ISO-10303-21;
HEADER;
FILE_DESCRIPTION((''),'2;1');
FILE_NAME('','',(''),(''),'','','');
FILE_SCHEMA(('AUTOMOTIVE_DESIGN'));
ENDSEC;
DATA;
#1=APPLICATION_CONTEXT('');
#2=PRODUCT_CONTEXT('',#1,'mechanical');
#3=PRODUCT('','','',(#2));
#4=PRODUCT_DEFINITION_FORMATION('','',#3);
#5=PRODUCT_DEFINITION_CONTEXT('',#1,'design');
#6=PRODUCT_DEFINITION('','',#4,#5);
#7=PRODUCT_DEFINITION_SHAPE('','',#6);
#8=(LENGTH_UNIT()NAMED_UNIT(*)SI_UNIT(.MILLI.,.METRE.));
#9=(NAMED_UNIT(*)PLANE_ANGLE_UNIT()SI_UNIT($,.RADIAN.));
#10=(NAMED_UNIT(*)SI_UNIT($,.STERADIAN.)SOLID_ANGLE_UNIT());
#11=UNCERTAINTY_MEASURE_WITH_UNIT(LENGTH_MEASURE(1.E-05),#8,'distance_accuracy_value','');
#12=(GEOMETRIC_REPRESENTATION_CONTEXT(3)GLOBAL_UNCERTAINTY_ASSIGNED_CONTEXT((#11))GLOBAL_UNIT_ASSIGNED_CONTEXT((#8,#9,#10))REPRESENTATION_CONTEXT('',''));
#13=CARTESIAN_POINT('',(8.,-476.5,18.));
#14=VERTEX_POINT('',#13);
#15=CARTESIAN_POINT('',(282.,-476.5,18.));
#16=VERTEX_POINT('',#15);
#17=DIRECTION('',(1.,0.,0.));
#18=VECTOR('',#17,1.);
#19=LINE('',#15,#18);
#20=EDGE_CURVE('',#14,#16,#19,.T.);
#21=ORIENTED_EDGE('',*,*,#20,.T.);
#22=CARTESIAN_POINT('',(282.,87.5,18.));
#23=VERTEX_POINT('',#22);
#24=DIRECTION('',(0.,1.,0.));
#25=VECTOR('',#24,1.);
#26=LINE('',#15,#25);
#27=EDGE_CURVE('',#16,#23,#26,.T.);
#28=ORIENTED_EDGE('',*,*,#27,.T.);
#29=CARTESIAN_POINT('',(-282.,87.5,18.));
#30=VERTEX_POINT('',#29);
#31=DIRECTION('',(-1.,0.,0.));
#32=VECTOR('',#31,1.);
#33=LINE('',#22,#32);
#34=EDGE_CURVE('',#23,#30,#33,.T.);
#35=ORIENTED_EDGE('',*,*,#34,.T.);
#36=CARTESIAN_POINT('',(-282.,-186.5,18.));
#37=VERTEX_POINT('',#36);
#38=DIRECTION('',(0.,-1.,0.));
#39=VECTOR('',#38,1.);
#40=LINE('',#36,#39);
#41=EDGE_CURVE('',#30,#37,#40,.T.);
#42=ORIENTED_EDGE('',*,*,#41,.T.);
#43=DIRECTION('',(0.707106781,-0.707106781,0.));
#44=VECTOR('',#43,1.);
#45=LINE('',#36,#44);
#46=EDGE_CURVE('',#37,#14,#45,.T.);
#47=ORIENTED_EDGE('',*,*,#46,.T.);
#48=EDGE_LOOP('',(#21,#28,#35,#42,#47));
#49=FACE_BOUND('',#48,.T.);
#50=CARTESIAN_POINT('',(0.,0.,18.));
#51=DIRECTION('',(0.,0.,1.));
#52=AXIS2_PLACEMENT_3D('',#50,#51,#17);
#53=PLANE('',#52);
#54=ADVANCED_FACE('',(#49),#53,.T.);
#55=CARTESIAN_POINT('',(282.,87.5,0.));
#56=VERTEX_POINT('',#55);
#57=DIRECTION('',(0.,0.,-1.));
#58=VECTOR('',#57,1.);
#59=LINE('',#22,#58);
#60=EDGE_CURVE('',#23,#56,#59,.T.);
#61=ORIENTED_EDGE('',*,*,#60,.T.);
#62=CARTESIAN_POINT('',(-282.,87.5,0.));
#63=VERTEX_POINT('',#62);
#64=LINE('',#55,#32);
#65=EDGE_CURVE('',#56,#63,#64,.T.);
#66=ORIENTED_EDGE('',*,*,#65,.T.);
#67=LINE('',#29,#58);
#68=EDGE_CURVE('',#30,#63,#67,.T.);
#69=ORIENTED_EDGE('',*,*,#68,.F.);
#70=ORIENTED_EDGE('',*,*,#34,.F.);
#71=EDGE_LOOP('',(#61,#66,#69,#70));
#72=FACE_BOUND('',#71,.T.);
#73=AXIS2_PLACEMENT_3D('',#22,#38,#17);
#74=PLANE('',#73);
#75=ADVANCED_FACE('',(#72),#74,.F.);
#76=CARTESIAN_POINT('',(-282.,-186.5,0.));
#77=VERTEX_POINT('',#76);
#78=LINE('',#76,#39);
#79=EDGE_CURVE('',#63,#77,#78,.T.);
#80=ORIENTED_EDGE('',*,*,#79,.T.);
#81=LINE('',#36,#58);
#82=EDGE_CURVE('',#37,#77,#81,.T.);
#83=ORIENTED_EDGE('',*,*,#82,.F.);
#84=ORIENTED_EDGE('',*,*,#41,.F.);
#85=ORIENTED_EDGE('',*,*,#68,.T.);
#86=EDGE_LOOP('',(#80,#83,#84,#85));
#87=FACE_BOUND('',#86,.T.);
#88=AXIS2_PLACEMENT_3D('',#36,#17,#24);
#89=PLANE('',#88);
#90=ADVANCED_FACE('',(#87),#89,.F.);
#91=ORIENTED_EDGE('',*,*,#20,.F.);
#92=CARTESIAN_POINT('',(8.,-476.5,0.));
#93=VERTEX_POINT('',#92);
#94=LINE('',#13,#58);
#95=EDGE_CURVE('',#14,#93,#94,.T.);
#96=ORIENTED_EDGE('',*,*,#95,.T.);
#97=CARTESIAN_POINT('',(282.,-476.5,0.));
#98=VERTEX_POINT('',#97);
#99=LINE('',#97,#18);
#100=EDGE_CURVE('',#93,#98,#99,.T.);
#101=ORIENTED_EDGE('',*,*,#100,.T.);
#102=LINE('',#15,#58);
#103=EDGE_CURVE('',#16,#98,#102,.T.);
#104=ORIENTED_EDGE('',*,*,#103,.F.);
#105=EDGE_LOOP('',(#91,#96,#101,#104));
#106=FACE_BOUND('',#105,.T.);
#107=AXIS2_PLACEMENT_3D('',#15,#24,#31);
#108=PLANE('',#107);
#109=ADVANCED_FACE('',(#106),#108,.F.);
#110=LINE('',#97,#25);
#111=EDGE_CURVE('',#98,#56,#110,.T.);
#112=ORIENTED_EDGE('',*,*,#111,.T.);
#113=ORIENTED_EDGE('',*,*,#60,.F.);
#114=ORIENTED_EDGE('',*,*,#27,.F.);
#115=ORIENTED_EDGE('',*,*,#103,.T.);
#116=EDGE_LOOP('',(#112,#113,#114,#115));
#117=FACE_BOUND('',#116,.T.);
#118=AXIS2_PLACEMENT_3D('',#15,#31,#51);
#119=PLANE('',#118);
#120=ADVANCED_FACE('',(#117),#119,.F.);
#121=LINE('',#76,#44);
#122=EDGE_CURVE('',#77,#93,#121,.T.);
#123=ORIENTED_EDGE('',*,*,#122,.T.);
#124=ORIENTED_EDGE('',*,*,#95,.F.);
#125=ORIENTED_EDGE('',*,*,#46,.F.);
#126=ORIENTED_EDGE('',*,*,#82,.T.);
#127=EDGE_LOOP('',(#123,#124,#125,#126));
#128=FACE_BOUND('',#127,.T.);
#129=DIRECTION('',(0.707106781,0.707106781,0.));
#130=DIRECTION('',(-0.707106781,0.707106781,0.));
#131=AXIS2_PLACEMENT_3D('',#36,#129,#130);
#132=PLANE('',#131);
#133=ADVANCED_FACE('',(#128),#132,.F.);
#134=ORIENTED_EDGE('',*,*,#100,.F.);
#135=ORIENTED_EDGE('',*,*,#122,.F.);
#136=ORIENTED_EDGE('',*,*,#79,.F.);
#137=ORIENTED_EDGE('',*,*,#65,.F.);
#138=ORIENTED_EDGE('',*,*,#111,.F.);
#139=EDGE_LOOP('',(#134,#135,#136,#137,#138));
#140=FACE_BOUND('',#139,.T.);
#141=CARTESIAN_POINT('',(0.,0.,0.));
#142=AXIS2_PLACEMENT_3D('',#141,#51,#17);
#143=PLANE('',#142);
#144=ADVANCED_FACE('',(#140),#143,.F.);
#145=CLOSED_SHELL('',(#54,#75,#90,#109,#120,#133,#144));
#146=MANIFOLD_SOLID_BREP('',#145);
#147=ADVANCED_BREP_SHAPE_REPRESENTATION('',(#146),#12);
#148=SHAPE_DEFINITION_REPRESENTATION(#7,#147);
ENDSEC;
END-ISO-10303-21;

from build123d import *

# Parameters (mm, degrees)
BOSS_EXTRUDE1_DEPTH = 18


with BuildPart() as part:
    # Sketch1 → Boss-Extrude1 (new body)
    with BuildSketch(Plane.XY):
        Polygon((-282, -186.5), (8, -476.5), (282, -476.5), (282, 87.5), (-282, 87.5), align=None)
    extrude(amount=BOSS_EXTRUDE1_DEPTH)


solid = part.part
